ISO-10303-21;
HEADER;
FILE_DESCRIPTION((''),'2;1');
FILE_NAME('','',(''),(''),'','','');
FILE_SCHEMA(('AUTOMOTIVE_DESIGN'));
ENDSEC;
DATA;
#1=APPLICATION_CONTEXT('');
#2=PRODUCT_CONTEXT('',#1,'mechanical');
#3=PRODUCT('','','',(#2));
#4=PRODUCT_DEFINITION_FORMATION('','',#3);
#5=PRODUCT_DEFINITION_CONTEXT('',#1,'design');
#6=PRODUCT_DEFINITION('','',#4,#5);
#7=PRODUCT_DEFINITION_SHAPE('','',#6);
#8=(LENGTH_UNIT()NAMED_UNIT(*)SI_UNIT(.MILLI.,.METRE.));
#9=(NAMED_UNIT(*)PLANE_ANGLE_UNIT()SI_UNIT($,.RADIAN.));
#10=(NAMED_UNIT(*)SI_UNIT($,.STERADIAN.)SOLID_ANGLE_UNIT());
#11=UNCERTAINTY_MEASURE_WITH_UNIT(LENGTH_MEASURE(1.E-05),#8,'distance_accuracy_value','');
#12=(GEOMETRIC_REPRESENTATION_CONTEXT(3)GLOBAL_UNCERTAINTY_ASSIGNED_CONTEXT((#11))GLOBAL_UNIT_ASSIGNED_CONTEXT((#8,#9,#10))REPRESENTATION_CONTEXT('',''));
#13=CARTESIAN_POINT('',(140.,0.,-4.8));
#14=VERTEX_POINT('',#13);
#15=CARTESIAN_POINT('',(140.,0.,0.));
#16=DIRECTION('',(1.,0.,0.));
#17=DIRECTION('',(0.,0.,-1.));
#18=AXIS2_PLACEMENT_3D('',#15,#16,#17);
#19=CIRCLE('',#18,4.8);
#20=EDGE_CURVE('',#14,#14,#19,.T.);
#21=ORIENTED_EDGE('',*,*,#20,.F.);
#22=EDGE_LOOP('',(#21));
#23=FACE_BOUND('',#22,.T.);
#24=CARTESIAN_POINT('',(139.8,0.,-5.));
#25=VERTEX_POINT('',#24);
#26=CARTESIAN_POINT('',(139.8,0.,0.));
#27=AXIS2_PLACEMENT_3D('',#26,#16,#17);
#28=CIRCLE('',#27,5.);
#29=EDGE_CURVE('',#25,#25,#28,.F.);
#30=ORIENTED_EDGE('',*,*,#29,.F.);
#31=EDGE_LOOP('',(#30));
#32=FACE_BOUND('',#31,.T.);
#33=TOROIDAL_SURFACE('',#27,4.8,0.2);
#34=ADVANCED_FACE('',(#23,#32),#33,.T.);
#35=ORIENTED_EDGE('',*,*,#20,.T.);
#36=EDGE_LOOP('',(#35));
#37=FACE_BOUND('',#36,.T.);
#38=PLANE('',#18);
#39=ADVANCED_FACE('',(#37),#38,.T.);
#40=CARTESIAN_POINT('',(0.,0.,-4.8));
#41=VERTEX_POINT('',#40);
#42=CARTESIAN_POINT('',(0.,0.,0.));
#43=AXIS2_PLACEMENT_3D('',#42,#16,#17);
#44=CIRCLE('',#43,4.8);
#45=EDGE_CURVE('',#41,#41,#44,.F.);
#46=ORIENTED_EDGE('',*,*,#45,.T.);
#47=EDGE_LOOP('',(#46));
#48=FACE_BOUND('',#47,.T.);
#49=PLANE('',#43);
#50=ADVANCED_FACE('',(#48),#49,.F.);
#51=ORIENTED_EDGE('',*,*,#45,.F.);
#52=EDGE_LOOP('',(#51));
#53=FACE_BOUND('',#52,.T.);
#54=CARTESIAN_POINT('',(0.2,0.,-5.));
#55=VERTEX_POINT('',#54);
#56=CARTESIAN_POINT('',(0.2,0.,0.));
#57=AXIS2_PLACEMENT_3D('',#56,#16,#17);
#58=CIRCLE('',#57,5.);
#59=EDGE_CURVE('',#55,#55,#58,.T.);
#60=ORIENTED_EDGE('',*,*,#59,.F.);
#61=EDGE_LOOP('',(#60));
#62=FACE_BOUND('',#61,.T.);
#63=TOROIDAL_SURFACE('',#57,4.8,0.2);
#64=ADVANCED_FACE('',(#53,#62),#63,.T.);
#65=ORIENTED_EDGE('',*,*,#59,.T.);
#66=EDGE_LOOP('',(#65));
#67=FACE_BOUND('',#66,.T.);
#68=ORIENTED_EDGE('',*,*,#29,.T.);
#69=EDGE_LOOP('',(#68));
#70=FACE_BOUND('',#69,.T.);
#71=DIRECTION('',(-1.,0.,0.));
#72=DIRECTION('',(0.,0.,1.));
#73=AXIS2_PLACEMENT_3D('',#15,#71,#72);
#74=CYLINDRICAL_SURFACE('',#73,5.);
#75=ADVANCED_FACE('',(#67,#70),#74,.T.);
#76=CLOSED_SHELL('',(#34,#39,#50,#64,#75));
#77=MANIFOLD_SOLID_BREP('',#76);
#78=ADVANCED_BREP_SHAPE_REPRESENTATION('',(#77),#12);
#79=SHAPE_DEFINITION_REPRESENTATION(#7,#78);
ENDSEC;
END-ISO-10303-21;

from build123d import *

# Parameters (mm, degrees)
CROQUIS1_R              = 5
SALIENTE_EXTRUIR1_DEPTH = 140
REDONDEO1_R             = 0.2


with BuildPart() as part:
    # Croquis1 → Saliente-Extruir1 (new body)
    with BuildSketch(Plane(origin=(0, 0, 0), x_dir=(0, 0, -1), z_dir=(1, 0, 0))):
        Circle(CROQUIS1_R)
    extrude(amount=SALIENTE_EXTRUIR1_DEPTH)

    # Redondeo1
    redondeo1_edges = [part.edges().sort_by_distance(p)[0] for p in [
        (0, 0, 5),
        (140, 0, 5),
    ]]
    fillet(redondeo1_edges, radius=REDONDEO1_R)


solid = part.part
